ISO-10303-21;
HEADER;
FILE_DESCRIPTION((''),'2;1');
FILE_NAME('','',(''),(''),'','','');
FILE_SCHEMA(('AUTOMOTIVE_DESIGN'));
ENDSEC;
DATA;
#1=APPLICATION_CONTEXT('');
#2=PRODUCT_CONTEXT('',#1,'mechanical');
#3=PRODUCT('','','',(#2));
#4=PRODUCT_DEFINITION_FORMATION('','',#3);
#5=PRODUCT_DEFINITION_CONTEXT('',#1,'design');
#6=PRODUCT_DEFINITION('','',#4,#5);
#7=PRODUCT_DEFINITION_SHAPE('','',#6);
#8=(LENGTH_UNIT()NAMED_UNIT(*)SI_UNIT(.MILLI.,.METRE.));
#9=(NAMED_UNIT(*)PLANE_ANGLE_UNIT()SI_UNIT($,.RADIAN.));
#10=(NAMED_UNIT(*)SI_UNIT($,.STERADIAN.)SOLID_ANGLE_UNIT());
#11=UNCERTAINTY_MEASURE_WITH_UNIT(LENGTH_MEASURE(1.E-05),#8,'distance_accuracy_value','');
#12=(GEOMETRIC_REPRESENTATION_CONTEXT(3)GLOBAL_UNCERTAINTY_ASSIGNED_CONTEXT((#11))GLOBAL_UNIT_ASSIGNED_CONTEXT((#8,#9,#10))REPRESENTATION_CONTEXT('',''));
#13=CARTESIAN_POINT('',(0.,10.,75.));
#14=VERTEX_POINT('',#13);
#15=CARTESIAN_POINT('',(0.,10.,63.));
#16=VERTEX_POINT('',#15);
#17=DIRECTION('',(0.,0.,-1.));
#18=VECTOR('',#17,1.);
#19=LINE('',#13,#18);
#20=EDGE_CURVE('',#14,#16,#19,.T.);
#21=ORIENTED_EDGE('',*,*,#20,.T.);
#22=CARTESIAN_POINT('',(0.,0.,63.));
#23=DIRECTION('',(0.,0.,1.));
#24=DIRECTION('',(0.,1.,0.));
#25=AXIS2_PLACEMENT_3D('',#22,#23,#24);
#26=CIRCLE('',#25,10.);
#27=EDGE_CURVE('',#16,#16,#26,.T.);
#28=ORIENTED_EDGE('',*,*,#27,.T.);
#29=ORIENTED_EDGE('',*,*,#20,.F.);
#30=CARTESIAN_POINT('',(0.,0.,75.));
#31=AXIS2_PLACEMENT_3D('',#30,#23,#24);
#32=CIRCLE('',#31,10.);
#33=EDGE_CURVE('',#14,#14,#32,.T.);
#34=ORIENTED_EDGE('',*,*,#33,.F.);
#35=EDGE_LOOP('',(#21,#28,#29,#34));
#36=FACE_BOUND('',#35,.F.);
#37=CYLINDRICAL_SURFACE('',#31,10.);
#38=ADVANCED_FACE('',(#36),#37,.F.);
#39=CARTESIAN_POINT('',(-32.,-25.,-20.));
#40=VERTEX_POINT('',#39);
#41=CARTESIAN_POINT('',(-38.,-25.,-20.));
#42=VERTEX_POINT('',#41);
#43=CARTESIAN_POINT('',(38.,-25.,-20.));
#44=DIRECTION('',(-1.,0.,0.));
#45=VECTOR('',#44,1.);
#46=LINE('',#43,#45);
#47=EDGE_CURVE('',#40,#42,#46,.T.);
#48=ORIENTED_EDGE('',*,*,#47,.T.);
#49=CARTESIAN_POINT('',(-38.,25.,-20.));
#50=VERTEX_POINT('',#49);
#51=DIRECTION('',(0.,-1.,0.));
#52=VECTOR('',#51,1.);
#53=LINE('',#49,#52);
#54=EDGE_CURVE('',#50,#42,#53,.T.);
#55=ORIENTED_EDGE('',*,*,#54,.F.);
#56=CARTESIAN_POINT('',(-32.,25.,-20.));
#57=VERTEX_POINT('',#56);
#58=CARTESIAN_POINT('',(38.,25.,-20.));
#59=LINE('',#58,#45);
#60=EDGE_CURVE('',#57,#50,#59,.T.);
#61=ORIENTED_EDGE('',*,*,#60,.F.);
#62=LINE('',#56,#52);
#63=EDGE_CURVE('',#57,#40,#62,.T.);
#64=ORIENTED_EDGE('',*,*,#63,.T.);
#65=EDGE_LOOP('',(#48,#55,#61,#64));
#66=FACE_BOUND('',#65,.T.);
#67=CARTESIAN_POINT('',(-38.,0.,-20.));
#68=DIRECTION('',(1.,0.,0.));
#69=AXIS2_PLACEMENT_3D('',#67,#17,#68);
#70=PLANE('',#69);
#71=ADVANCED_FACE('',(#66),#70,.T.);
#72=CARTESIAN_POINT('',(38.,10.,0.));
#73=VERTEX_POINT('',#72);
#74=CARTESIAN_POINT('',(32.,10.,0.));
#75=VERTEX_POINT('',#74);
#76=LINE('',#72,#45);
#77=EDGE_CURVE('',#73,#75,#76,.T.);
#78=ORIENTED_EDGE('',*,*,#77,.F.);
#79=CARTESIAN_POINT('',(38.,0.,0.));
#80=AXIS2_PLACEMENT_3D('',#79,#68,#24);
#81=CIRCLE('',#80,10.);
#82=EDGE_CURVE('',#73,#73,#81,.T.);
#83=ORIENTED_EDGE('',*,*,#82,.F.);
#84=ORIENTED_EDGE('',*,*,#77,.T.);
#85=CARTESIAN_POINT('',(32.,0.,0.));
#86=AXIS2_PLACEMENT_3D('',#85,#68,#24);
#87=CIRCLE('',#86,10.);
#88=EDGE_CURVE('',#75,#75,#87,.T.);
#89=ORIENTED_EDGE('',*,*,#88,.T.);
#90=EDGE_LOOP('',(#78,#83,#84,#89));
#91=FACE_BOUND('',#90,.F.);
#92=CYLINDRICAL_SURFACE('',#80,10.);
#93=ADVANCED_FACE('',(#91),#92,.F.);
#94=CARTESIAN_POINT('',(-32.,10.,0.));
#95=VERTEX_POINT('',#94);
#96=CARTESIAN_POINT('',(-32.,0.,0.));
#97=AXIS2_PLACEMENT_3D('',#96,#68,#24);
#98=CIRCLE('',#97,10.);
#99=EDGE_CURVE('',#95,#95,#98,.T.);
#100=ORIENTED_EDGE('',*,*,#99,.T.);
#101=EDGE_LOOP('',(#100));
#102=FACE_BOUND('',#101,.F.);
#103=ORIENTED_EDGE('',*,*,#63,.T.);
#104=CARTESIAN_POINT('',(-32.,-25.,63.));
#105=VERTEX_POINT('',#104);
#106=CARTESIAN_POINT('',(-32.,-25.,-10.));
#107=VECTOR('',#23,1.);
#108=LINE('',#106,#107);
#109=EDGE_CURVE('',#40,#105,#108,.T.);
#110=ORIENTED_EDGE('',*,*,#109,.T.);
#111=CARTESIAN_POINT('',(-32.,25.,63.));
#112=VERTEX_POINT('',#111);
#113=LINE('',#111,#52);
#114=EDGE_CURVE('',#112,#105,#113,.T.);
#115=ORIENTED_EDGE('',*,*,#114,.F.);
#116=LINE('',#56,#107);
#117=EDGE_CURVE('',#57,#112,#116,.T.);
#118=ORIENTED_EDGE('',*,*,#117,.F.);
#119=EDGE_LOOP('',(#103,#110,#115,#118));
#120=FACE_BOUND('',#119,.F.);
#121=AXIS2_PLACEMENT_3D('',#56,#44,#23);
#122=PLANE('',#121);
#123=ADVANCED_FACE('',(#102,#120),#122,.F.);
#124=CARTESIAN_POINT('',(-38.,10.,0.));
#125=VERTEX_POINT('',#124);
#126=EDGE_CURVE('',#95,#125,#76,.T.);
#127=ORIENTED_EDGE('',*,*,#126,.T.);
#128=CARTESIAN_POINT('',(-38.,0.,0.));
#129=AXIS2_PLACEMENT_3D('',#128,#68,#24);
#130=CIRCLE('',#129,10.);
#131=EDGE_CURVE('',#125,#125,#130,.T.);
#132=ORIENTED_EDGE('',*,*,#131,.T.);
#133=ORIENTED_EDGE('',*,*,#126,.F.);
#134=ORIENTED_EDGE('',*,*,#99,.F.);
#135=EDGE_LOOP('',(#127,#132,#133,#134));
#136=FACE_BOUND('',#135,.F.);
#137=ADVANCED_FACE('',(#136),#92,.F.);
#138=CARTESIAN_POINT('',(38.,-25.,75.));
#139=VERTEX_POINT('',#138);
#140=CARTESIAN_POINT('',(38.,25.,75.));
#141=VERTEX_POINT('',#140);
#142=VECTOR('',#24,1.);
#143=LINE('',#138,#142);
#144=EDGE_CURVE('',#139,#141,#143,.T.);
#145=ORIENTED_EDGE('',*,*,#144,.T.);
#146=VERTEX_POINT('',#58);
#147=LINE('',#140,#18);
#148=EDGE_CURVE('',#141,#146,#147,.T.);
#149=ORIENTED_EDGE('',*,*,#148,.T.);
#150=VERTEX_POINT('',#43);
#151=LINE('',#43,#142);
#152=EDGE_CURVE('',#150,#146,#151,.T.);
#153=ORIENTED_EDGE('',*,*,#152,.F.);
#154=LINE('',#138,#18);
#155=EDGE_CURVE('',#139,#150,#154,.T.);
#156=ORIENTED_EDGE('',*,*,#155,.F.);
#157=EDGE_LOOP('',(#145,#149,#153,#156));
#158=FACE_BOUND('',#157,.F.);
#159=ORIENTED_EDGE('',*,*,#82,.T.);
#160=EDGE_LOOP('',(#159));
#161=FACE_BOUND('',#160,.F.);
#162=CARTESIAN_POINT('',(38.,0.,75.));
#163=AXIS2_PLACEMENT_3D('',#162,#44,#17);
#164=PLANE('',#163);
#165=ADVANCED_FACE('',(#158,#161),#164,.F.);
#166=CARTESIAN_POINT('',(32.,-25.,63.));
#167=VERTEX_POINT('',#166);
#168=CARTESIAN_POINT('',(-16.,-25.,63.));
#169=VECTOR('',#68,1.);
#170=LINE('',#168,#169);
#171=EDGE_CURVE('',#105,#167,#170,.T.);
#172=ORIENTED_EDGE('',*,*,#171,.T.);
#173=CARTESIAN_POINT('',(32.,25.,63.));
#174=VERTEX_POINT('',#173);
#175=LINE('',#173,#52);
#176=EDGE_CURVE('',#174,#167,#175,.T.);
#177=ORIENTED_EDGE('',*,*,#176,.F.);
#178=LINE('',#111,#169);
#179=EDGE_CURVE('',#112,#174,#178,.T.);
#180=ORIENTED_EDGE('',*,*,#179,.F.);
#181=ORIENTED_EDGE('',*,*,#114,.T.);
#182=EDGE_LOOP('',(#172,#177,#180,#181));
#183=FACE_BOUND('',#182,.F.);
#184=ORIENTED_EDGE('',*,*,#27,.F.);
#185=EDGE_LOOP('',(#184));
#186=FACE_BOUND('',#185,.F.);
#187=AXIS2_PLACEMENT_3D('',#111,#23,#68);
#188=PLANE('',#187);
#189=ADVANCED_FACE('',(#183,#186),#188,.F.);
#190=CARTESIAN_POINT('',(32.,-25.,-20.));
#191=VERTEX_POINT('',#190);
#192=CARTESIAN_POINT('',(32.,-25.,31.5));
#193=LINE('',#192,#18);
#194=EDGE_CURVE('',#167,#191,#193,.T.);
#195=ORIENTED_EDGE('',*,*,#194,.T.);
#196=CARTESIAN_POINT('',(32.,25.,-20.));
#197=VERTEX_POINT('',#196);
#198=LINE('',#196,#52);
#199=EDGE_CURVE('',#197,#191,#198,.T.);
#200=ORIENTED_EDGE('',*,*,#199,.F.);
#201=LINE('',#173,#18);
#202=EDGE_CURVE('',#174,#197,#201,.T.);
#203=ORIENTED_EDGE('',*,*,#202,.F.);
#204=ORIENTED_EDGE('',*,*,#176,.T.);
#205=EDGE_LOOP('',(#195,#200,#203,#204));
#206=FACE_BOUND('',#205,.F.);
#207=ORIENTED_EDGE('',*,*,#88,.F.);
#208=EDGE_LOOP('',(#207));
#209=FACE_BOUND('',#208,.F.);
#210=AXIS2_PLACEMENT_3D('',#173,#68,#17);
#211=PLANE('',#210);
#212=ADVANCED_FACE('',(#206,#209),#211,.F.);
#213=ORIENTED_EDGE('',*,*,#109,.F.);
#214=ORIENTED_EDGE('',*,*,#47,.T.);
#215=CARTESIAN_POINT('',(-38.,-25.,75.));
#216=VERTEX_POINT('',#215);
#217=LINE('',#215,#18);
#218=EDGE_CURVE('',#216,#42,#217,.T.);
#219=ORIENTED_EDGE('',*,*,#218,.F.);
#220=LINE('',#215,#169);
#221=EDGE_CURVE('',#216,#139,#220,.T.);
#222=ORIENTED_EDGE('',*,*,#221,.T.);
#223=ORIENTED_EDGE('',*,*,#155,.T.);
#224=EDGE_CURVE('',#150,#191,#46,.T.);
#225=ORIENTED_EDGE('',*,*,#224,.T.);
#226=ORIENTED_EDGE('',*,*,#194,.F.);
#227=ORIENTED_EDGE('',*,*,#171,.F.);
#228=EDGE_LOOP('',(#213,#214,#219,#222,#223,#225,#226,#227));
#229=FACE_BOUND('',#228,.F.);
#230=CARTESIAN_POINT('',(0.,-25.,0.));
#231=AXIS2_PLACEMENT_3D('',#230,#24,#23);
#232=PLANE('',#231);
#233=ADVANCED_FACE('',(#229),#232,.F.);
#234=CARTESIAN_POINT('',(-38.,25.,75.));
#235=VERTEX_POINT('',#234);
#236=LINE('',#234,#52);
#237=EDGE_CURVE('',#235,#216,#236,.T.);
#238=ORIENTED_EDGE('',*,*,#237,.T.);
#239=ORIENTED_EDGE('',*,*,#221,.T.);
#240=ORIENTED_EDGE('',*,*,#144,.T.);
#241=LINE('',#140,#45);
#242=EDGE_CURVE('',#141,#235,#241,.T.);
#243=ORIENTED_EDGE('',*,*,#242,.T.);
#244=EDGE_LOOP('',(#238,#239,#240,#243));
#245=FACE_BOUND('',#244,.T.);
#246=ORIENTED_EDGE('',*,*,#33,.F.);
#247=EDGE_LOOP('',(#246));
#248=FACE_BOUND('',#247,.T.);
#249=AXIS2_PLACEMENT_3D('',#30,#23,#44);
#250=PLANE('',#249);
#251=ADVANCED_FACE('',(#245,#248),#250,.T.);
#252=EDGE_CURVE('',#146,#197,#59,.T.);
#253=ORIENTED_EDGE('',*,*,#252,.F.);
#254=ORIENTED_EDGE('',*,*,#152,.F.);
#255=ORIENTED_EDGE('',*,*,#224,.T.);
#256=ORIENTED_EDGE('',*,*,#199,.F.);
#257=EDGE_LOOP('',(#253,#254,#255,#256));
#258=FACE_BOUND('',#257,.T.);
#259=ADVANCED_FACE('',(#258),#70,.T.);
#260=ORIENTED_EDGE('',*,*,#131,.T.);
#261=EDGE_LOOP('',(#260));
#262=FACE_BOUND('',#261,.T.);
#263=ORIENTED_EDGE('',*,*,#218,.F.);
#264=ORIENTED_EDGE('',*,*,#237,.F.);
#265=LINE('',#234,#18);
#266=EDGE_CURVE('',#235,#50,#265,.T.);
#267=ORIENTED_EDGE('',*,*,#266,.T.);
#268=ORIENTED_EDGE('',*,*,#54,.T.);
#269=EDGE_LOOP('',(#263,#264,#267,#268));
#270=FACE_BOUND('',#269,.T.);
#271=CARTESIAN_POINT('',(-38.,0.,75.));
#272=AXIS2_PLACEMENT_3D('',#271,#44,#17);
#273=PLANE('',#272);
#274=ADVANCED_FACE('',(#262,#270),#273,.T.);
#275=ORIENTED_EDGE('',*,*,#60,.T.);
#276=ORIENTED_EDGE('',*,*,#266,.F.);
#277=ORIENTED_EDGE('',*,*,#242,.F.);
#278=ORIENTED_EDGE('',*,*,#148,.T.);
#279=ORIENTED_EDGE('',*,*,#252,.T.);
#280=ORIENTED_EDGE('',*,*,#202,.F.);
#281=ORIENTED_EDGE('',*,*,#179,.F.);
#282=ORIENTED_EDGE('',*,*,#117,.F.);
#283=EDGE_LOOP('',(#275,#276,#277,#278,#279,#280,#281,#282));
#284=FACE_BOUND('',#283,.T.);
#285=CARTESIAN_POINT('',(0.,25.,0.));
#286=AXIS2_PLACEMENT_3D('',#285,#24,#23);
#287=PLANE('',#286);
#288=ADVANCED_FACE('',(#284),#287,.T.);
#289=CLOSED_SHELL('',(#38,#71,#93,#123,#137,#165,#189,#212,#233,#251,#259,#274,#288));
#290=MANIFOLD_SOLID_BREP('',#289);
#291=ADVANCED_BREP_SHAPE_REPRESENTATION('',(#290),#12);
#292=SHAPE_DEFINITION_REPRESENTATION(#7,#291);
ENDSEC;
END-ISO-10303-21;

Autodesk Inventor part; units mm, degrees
ref_plane "YZ Plane" through (0, 0, 0) normal (1, 0, 0) x (0, 1, 0)
ref_plane "XZ Plane" through (0, 0, 0) normal (0, 1, 0) x (-1, 0, 0)
ref_plane "XY Plane" through (0, 0, 0) normal (0, 0, 1) x (1, 0, 0)
sketch "Sketch1" plane through (0, 0, 0) normal (1, 0, 0) x (0, 1, 0)
  line L0 (75, 0) -> (75, -38)
  line L1 (75, -38) -> (-20, -38)
  line L2 (-20, -38) -> (-20, 0)
  line L3 (-20, 0) -> (75, 0) construction
  line L4 (75, 0) -> (75, 38)
  line L5 (75, 38) -> (-20, 38)
  line L6 (-20, 38) -> (-20, 0)
  point P0 (0, 0)
  dimension "d0" = 38
  dimension "d3" = 75
  dimension "d4" = 20
extrude "Extrusion1" add sketch "Sketch1" along normal mid plane 50
sketch "Sketch2" plane through (25, 0, 0) normal (1, 0, 0) x (0, 0, -1)
  line L0 (38, 75) -> (-38, 75) projected
  line L1 (-38, 75) -> (-38, -20) projected
  line L2 (-38, -20) -> (38, -20) projected
  line L3 (-32, -20) -> (32, -20)
  line L4 (32, -20) -> (32, 63)
  line L5 (32, 63) -> (-32, 63)
  line L6 (-32, 63) -> (-32, -20)
  line L7 (0, 63) -> (0, -20) construction
  point P0 (0, 0)
  dimension "d7" = 6
  dimension "d8" = 12
extrude "Extrusion2" cut sketch "Sketch2" against normal through all
sketch "Sketch3" plane through (-25, -20, 38) normal (0, 0, 1) x (1, 0, 0)
  circle A0 centre (25, 20) radius 10
  dimension "d11" = 20
extrude "Extrusion3" cut sketch "Sketch3" against normal through all
sketch "Sketch4" plane through (-25, 75, 38) normal (0, 1, 0) x (1, 0, 0)
  circle A0 centre (25, 38) radius 10
  dimension "d15" = 20
extrude "Extrusion4" cut sketch "Sketch4" against normal through all
move or copy body "Move Body1" bodies to move or copy 1 copy no rotation origin (0, 0, 0) rotation axis (1, 0, 0) rotation angle 90
move or copy body "Move Body2" bodies to move or copy 1 copy no rotation origin (0, 0, 0) rotation axis (0, 0, 1) rotation angle 90
properties part number "HipYaw_v2"
